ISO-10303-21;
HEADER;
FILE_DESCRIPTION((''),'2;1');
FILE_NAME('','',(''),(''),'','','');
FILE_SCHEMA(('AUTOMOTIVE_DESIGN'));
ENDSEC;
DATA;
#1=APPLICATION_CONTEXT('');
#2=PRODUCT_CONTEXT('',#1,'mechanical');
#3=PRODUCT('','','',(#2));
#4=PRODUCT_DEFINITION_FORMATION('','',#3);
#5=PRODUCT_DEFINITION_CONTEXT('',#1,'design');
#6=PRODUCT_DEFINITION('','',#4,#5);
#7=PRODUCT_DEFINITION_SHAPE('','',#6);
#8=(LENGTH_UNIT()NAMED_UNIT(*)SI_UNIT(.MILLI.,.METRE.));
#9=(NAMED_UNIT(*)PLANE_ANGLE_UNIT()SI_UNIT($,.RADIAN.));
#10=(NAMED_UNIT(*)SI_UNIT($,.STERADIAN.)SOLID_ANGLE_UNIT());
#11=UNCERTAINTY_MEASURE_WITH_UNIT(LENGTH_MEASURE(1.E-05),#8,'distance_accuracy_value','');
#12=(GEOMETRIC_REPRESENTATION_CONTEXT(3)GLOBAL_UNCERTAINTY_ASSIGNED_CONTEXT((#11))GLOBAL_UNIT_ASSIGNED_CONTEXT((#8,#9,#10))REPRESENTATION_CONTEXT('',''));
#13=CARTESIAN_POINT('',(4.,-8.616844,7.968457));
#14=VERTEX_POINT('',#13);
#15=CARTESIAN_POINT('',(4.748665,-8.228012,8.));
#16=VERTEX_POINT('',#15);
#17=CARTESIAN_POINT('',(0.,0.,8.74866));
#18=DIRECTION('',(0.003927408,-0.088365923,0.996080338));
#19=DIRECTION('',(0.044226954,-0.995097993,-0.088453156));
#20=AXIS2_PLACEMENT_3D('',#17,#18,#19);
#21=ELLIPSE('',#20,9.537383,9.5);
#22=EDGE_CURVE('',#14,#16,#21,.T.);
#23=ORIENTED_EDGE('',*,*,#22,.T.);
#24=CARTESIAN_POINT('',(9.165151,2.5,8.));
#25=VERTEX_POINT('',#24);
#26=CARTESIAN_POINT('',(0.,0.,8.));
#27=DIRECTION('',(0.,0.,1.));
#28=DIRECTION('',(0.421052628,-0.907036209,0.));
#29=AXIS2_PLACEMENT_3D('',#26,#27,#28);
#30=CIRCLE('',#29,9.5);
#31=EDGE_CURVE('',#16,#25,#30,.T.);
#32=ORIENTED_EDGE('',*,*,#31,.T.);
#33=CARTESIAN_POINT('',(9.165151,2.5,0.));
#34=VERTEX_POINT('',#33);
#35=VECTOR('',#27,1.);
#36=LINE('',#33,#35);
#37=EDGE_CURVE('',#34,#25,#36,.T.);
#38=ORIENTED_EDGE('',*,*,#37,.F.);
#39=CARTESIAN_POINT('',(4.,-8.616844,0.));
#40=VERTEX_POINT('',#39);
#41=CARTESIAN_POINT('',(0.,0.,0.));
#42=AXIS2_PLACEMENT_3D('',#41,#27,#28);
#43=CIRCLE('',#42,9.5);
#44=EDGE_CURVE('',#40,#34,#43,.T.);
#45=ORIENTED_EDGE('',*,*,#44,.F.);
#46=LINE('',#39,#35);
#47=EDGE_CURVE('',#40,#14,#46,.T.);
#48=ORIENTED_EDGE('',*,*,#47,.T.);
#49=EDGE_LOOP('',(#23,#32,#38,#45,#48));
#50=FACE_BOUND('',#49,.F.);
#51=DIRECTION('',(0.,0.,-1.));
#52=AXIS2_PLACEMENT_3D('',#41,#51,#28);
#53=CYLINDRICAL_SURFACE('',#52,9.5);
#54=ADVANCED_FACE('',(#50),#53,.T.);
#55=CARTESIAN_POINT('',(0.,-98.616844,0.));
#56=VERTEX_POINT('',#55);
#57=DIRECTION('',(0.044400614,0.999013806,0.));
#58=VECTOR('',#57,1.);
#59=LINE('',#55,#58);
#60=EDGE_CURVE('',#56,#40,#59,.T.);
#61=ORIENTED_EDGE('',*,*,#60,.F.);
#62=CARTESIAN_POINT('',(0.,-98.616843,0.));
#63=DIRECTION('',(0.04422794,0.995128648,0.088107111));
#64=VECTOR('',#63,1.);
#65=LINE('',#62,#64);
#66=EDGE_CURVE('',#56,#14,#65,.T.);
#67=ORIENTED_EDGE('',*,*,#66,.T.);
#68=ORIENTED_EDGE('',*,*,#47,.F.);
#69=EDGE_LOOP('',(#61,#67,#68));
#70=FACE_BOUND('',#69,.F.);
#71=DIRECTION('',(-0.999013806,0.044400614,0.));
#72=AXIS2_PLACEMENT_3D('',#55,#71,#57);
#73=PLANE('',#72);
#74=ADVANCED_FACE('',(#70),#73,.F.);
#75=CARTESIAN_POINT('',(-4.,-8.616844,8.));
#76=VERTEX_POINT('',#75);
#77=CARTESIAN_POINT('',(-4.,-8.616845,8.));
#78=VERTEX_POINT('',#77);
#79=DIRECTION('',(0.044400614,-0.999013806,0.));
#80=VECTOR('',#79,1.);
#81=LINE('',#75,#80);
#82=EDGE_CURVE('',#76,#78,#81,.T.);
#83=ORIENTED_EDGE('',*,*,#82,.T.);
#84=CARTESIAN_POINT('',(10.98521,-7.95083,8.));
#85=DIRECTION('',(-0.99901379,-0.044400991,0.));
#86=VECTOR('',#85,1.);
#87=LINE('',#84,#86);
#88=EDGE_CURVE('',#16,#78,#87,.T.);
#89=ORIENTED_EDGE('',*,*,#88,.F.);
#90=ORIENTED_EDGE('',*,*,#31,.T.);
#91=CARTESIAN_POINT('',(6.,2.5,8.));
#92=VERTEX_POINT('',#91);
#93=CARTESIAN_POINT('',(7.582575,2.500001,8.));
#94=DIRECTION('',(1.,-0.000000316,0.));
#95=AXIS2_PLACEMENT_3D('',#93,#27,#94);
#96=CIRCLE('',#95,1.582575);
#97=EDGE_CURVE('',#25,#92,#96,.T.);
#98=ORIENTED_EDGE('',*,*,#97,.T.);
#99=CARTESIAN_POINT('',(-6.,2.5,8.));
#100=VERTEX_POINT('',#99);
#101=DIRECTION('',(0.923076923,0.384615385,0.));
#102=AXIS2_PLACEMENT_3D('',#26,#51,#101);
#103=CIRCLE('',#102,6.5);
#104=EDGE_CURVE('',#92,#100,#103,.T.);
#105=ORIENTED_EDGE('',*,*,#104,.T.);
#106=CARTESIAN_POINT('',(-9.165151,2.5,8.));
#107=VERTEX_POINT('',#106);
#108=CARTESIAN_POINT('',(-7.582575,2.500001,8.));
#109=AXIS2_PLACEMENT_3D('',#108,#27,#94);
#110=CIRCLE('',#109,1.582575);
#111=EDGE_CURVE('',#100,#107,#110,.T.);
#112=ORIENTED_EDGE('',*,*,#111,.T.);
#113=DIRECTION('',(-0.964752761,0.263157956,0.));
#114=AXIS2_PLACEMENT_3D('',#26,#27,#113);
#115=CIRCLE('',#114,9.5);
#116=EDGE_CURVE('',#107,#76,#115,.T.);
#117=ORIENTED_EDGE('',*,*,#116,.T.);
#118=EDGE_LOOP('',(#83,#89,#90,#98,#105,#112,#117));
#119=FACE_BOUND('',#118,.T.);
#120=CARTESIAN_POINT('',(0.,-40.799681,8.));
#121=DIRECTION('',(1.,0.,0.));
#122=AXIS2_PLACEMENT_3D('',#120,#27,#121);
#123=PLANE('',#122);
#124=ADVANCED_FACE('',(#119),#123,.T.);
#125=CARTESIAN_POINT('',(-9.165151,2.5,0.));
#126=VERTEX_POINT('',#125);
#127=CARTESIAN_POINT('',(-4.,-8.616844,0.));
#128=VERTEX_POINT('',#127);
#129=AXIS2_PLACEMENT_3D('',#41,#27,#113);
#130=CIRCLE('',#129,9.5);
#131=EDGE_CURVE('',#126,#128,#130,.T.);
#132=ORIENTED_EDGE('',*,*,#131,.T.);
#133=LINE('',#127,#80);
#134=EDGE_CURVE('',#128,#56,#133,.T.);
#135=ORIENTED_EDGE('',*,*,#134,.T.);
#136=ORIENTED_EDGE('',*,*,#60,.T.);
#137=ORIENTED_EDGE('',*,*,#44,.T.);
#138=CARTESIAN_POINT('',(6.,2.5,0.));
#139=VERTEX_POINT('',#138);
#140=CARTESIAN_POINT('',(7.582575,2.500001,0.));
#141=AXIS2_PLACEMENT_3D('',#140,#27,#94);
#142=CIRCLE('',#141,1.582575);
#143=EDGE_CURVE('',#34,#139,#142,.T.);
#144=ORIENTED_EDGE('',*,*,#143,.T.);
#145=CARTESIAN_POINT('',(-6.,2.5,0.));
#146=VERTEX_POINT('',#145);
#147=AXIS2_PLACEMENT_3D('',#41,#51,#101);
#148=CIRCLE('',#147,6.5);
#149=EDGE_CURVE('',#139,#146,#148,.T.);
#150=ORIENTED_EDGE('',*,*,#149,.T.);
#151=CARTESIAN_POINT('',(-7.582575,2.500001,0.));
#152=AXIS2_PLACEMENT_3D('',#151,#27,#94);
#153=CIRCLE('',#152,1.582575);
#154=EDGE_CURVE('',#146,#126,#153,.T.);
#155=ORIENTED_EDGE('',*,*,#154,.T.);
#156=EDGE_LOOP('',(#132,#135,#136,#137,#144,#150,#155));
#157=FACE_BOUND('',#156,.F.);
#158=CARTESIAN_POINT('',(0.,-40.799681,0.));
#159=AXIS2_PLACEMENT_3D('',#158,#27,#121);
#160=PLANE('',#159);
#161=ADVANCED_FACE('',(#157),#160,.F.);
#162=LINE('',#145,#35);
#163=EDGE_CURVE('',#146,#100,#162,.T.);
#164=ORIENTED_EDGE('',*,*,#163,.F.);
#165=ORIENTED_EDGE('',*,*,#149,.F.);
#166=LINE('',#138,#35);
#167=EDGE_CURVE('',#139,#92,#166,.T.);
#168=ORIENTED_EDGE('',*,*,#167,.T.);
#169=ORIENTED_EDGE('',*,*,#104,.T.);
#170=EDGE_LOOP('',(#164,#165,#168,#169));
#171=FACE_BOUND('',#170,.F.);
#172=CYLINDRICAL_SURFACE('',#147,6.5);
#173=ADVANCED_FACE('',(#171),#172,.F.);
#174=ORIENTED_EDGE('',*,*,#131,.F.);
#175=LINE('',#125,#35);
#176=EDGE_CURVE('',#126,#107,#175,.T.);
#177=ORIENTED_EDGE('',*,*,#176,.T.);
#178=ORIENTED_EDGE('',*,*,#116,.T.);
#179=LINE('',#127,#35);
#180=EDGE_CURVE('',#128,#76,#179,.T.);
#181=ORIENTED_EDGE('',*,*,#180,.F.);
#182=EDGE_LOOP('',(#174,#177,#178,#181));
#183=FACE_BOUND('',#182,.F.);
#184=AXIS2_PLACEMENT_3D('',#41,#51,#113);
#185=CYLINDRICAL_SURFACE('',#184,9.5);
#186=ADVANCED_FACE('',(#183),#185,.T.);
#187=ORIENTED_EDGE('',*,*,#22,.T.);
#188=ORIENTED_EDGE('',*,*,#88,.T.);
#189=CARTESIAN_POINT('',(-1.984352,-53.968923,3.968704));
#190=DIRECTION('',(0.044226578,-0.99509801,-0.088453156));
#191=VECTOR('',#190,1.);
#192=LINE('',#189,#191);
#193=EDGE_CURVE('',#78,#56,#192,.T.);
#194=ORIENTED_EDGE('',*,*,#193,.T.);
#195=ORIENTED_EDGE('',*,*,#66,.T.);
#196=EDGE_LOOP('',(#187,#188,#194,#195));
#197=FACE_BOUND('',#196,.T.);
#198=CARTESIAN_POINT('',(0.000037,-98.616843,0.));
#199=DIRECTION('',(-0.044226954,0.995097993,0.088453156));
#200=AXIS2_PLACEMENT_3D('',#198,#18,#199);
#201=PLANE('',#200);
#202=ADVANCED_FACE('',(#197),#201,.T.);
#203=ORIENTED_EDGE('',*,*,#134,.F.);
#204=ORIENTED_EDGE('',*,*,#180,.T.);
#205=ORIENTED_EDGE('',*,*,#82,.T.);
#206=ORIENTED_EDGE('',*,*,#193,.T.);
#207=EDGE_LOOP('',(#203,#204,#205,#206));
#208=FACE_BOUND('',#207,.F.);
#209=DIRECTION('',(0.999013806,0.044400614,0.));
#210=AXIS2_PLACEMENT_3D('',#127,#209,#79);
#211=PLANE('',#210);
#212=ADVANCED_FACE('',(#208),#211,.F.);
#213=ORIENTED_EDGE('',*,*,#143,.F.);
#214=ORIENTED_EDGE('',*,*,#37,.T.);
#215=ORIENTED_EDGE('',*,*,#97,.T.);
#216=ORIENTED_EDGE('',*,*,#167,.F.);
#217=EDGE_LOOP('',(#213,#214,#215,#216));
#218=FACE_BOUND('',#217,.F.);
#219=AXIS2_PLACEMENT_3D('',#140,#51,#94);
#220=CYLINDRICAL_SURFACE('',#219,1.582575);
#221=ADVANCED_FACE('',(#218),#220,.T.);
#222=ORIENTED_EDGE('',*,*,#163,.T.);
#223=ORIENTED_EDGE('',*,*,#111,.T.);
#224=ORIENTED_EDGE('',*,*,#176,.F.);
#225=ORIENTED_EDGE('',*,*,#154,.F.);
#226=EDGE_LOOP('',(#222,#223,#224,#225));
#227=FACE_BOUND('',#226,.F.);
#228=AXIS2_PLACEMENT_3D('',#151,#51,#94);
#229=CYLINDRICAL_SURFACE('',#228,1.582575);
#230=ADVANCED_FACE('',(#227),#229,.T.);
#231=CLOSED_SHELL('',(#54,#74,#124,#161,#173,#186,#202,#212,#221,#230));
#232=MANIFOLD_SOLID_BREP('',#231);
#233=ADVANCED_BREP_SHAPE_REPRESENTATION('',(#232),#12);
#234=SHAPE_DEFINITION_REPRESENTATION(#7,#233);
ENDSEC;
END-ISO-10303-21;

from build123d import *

# Parameters (mm, degrees)
F1_DEPTH = 8
F3_DEPTH = 15


with BuildPart() as f1:
    # F0 (on Top) → F1 (new body)
    with BuildSketch(Plane.XY):
        with BuildLine():
            ThreePointArc((6, 2.5), (0, -6.5), (-6, 2.5))
            ThreePointArc((-6, 2.5), (-7.582576, 4.082576), (-9.165151, 2.5))
            ThreePointArc((-9.165151, 2.5), (-8.615472, -4.002954), (-4, -8.616844))
            Line((-4, -8.616844), (0, -98.616844))
            Line((0, -98.616844), (4, -8.616844))
            ThreePointArc((4, -8.616844), (8.615472, -4.002954), (9.165151, 2.5))
            ThreePointArc((9.165151, 2.5), (7.582576, 4.082576), (6, 2.5))
        make_face()
    extrude(amount=F1_DEPTH)

    # F2 (on face) → F3 (intersect, symmetric)
    with BuildSketch(Plane(origin=(-4.37433, -0.194415, 0), x_dir=(0.044401, -0.999014, 0), z_dir=(-0.999014, -0.044401, 0))):
        Polygon((98.519589, 0), (8.430744, 8), (-8.569256, 8), (-8.569256, 0), (8.430744, 0), align=None)
    extrude(amount=F3_DEPTH, both=True, mode=Mode.INTERSECT)


solid = f1.part
